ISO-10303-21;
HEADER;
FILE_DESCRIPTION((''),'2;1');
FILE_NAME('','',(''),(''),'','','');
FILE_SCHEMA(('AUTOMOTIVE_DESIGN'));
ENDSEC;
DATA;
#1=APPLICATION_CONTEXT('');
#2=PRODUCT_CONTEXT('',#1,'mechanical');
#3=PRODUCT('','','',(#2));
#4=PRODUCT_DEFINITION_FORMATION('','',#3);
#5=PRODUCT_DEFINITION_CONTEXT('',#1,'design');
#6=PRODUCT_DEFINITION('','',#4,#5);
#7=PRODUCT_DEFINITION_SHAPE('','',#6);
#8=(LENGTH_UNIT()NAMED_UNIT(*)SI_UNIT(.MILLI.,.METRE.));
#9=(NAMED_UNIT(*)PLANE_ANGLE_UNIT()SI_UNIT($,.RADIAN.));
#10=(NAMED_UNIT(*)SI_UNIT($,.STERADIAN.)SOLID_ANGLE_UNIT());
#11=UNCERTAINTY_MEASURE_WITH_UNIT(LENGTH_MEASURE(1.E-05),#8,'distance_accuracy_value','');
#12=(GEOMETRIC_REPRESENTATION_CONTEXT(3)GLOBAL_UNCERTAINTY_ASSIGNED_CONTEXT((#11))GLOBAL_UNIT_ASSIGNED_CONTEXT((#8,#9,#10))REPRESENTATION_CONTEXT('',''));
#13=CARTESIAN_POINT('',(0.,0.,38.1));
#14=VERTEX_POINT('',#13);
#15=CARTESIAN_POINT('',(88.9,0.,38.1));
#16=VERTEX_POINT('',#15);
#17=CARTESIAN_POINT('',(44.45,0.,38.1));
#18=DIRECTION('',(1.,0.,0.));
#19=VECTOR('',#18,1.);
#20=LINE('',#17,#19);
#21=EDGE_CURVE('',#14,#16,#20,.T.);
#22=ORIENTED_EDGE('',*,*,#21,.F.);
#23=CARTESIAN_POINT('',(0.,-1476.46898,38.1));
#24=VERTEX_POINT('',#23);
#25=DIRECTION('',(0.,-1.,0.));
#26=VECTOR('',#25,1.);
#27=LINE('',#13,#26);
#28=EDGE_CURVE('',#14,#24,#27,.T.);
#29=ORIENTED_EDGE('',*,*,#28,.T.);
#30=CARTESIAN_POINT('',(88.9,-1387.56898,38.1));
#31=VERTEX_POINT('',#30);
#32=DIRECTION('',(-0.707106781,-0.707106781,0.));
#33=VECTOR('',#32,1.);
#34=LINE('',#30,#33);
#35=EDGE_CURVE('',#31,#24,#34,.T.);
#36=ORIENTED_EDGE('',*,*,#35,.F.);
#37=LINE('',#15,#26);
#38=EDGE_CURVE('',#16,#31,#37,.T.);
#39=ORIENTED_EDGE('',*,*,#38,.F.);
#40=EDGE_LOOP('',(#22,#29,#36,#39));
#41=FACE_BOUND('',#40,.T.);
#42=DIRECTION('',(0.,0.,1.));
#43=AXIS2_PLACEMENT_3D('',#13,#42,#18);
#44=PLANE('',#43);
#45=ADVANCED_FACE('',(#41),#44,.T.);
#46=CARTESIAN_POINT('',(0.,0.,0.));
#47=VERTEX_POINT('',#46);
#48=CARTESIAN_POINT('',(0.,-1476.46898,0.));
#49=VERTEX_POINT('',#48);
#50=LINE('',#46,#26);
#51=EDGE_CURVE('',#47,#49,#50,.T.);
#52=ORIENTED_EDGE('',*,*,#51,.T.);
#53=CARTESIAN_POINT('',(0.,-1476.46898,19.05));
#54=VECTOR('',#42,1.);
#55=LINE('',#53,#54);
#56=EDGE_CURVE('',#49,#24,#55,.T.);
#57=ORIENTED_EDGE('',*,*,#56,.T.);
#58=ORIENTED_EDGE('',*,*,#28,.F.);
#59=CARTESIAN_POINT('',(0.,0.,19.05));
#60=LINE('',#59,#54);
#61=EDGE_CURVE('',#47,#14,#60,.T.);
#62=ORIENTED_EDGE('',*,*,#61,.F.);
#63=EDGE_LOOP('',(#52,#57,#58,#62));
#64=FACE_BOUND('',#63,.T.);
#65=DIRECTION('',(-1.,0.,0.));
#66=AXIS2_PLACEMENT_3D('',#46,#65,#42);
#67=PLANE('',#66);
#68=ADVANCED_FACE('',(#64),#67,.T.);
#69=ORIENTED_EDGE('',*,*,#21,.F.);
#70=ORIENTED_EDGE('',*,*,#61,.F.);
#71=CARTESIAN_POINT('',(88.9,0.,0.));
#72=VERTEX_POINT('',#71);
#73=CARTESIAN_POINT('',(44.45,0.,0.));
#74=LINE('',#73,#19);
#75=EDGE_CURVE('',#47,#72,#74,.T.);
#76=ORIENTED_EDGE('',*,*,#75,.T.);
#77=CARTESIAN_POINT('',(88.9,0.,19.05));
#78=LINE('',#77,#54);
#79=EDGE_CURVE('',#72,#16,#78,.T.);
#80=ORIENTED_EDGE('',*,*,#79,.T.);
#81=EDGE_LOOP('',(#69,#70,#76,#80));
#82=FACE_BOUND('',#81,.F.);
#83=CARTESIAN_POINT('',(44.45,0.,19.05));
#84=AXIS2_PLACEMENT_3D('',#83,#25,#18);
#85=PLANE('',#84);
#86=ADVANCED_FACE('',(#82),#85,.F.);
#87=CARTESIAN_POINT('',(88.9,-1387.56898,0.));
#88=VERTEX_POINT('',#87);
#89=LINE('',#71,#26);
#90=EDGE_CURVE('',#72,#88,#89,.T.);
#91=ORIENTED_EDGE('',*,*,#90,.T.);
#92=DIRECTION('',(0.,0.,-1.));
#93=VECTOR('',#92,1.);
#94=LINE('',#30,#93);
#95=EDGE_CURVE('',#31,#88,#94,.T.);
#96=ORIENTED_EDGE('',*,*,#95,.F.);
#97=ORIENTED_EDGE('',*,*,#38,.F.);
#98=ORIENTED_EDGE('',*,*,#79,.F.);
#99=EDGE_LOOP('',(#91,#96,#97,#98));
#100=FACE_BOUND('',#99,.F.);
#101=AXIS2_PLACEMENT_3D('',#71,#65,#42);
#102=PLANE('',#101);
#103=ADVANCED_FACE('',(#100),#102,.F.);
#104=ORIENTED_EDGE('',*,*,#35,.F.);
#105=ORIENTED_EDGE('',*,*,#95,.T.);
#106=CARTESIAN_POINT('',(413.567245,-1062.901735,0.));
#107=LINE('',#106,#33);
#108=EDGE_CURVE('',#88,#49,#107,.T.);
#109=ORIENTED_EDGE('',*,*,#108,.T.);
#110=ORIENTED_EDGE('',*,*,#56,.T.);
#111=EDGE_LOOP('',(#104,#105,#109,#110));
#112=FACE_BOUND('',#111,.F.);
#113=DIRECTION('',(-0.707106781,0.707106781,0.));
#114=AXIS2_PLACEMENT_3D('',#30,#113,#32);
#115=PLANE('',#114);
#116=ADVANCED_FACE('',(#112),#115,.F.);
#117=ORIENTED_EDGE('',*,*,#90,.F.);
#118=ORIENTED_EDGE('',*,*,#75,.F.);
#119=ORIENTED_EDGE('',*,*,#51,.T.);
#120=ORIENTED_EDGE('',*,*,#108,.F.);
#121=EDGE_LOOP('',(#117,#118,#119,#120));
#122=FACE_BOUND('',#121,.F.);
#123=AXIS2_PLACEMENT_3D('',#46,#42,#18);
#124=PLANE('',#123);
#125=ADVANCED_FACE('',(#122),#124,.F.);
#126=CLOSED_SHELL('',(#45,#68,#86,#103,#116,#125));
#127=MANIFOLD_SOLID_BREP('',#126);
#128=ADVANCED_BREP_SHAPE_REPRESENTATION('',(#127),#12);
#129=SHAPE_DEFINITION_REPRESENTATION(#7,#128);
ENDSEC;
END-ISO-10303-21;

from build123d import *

# Parameters (mm, degrees)
F0_W     = 88.9
F0_H     = 38.1
F1_DEPTH = 1476.46898
F3_DEPTH = 104.14


with BuildPart() as f1:
    # F0 (on Front) → F1 (new body)
    with BuildSketch(Plane.XZ):
        with Locations((44.45, 19.05)):
            Rectangle(F0_W, F0_H)
    extrude(amount=F1_DEPTH)

    # F2 (on face) → F3 (cut)
    with BuildSketch(Plane.XY.offset(38.1)):
        Polygon((88.9, -1387.56898), (0, -1476.46898), (88.9, -1476.46898), align=None)
    extrude(amount=-F3_DEPTH, mode=Mode.SUBTRACT)


solid = f1.part
